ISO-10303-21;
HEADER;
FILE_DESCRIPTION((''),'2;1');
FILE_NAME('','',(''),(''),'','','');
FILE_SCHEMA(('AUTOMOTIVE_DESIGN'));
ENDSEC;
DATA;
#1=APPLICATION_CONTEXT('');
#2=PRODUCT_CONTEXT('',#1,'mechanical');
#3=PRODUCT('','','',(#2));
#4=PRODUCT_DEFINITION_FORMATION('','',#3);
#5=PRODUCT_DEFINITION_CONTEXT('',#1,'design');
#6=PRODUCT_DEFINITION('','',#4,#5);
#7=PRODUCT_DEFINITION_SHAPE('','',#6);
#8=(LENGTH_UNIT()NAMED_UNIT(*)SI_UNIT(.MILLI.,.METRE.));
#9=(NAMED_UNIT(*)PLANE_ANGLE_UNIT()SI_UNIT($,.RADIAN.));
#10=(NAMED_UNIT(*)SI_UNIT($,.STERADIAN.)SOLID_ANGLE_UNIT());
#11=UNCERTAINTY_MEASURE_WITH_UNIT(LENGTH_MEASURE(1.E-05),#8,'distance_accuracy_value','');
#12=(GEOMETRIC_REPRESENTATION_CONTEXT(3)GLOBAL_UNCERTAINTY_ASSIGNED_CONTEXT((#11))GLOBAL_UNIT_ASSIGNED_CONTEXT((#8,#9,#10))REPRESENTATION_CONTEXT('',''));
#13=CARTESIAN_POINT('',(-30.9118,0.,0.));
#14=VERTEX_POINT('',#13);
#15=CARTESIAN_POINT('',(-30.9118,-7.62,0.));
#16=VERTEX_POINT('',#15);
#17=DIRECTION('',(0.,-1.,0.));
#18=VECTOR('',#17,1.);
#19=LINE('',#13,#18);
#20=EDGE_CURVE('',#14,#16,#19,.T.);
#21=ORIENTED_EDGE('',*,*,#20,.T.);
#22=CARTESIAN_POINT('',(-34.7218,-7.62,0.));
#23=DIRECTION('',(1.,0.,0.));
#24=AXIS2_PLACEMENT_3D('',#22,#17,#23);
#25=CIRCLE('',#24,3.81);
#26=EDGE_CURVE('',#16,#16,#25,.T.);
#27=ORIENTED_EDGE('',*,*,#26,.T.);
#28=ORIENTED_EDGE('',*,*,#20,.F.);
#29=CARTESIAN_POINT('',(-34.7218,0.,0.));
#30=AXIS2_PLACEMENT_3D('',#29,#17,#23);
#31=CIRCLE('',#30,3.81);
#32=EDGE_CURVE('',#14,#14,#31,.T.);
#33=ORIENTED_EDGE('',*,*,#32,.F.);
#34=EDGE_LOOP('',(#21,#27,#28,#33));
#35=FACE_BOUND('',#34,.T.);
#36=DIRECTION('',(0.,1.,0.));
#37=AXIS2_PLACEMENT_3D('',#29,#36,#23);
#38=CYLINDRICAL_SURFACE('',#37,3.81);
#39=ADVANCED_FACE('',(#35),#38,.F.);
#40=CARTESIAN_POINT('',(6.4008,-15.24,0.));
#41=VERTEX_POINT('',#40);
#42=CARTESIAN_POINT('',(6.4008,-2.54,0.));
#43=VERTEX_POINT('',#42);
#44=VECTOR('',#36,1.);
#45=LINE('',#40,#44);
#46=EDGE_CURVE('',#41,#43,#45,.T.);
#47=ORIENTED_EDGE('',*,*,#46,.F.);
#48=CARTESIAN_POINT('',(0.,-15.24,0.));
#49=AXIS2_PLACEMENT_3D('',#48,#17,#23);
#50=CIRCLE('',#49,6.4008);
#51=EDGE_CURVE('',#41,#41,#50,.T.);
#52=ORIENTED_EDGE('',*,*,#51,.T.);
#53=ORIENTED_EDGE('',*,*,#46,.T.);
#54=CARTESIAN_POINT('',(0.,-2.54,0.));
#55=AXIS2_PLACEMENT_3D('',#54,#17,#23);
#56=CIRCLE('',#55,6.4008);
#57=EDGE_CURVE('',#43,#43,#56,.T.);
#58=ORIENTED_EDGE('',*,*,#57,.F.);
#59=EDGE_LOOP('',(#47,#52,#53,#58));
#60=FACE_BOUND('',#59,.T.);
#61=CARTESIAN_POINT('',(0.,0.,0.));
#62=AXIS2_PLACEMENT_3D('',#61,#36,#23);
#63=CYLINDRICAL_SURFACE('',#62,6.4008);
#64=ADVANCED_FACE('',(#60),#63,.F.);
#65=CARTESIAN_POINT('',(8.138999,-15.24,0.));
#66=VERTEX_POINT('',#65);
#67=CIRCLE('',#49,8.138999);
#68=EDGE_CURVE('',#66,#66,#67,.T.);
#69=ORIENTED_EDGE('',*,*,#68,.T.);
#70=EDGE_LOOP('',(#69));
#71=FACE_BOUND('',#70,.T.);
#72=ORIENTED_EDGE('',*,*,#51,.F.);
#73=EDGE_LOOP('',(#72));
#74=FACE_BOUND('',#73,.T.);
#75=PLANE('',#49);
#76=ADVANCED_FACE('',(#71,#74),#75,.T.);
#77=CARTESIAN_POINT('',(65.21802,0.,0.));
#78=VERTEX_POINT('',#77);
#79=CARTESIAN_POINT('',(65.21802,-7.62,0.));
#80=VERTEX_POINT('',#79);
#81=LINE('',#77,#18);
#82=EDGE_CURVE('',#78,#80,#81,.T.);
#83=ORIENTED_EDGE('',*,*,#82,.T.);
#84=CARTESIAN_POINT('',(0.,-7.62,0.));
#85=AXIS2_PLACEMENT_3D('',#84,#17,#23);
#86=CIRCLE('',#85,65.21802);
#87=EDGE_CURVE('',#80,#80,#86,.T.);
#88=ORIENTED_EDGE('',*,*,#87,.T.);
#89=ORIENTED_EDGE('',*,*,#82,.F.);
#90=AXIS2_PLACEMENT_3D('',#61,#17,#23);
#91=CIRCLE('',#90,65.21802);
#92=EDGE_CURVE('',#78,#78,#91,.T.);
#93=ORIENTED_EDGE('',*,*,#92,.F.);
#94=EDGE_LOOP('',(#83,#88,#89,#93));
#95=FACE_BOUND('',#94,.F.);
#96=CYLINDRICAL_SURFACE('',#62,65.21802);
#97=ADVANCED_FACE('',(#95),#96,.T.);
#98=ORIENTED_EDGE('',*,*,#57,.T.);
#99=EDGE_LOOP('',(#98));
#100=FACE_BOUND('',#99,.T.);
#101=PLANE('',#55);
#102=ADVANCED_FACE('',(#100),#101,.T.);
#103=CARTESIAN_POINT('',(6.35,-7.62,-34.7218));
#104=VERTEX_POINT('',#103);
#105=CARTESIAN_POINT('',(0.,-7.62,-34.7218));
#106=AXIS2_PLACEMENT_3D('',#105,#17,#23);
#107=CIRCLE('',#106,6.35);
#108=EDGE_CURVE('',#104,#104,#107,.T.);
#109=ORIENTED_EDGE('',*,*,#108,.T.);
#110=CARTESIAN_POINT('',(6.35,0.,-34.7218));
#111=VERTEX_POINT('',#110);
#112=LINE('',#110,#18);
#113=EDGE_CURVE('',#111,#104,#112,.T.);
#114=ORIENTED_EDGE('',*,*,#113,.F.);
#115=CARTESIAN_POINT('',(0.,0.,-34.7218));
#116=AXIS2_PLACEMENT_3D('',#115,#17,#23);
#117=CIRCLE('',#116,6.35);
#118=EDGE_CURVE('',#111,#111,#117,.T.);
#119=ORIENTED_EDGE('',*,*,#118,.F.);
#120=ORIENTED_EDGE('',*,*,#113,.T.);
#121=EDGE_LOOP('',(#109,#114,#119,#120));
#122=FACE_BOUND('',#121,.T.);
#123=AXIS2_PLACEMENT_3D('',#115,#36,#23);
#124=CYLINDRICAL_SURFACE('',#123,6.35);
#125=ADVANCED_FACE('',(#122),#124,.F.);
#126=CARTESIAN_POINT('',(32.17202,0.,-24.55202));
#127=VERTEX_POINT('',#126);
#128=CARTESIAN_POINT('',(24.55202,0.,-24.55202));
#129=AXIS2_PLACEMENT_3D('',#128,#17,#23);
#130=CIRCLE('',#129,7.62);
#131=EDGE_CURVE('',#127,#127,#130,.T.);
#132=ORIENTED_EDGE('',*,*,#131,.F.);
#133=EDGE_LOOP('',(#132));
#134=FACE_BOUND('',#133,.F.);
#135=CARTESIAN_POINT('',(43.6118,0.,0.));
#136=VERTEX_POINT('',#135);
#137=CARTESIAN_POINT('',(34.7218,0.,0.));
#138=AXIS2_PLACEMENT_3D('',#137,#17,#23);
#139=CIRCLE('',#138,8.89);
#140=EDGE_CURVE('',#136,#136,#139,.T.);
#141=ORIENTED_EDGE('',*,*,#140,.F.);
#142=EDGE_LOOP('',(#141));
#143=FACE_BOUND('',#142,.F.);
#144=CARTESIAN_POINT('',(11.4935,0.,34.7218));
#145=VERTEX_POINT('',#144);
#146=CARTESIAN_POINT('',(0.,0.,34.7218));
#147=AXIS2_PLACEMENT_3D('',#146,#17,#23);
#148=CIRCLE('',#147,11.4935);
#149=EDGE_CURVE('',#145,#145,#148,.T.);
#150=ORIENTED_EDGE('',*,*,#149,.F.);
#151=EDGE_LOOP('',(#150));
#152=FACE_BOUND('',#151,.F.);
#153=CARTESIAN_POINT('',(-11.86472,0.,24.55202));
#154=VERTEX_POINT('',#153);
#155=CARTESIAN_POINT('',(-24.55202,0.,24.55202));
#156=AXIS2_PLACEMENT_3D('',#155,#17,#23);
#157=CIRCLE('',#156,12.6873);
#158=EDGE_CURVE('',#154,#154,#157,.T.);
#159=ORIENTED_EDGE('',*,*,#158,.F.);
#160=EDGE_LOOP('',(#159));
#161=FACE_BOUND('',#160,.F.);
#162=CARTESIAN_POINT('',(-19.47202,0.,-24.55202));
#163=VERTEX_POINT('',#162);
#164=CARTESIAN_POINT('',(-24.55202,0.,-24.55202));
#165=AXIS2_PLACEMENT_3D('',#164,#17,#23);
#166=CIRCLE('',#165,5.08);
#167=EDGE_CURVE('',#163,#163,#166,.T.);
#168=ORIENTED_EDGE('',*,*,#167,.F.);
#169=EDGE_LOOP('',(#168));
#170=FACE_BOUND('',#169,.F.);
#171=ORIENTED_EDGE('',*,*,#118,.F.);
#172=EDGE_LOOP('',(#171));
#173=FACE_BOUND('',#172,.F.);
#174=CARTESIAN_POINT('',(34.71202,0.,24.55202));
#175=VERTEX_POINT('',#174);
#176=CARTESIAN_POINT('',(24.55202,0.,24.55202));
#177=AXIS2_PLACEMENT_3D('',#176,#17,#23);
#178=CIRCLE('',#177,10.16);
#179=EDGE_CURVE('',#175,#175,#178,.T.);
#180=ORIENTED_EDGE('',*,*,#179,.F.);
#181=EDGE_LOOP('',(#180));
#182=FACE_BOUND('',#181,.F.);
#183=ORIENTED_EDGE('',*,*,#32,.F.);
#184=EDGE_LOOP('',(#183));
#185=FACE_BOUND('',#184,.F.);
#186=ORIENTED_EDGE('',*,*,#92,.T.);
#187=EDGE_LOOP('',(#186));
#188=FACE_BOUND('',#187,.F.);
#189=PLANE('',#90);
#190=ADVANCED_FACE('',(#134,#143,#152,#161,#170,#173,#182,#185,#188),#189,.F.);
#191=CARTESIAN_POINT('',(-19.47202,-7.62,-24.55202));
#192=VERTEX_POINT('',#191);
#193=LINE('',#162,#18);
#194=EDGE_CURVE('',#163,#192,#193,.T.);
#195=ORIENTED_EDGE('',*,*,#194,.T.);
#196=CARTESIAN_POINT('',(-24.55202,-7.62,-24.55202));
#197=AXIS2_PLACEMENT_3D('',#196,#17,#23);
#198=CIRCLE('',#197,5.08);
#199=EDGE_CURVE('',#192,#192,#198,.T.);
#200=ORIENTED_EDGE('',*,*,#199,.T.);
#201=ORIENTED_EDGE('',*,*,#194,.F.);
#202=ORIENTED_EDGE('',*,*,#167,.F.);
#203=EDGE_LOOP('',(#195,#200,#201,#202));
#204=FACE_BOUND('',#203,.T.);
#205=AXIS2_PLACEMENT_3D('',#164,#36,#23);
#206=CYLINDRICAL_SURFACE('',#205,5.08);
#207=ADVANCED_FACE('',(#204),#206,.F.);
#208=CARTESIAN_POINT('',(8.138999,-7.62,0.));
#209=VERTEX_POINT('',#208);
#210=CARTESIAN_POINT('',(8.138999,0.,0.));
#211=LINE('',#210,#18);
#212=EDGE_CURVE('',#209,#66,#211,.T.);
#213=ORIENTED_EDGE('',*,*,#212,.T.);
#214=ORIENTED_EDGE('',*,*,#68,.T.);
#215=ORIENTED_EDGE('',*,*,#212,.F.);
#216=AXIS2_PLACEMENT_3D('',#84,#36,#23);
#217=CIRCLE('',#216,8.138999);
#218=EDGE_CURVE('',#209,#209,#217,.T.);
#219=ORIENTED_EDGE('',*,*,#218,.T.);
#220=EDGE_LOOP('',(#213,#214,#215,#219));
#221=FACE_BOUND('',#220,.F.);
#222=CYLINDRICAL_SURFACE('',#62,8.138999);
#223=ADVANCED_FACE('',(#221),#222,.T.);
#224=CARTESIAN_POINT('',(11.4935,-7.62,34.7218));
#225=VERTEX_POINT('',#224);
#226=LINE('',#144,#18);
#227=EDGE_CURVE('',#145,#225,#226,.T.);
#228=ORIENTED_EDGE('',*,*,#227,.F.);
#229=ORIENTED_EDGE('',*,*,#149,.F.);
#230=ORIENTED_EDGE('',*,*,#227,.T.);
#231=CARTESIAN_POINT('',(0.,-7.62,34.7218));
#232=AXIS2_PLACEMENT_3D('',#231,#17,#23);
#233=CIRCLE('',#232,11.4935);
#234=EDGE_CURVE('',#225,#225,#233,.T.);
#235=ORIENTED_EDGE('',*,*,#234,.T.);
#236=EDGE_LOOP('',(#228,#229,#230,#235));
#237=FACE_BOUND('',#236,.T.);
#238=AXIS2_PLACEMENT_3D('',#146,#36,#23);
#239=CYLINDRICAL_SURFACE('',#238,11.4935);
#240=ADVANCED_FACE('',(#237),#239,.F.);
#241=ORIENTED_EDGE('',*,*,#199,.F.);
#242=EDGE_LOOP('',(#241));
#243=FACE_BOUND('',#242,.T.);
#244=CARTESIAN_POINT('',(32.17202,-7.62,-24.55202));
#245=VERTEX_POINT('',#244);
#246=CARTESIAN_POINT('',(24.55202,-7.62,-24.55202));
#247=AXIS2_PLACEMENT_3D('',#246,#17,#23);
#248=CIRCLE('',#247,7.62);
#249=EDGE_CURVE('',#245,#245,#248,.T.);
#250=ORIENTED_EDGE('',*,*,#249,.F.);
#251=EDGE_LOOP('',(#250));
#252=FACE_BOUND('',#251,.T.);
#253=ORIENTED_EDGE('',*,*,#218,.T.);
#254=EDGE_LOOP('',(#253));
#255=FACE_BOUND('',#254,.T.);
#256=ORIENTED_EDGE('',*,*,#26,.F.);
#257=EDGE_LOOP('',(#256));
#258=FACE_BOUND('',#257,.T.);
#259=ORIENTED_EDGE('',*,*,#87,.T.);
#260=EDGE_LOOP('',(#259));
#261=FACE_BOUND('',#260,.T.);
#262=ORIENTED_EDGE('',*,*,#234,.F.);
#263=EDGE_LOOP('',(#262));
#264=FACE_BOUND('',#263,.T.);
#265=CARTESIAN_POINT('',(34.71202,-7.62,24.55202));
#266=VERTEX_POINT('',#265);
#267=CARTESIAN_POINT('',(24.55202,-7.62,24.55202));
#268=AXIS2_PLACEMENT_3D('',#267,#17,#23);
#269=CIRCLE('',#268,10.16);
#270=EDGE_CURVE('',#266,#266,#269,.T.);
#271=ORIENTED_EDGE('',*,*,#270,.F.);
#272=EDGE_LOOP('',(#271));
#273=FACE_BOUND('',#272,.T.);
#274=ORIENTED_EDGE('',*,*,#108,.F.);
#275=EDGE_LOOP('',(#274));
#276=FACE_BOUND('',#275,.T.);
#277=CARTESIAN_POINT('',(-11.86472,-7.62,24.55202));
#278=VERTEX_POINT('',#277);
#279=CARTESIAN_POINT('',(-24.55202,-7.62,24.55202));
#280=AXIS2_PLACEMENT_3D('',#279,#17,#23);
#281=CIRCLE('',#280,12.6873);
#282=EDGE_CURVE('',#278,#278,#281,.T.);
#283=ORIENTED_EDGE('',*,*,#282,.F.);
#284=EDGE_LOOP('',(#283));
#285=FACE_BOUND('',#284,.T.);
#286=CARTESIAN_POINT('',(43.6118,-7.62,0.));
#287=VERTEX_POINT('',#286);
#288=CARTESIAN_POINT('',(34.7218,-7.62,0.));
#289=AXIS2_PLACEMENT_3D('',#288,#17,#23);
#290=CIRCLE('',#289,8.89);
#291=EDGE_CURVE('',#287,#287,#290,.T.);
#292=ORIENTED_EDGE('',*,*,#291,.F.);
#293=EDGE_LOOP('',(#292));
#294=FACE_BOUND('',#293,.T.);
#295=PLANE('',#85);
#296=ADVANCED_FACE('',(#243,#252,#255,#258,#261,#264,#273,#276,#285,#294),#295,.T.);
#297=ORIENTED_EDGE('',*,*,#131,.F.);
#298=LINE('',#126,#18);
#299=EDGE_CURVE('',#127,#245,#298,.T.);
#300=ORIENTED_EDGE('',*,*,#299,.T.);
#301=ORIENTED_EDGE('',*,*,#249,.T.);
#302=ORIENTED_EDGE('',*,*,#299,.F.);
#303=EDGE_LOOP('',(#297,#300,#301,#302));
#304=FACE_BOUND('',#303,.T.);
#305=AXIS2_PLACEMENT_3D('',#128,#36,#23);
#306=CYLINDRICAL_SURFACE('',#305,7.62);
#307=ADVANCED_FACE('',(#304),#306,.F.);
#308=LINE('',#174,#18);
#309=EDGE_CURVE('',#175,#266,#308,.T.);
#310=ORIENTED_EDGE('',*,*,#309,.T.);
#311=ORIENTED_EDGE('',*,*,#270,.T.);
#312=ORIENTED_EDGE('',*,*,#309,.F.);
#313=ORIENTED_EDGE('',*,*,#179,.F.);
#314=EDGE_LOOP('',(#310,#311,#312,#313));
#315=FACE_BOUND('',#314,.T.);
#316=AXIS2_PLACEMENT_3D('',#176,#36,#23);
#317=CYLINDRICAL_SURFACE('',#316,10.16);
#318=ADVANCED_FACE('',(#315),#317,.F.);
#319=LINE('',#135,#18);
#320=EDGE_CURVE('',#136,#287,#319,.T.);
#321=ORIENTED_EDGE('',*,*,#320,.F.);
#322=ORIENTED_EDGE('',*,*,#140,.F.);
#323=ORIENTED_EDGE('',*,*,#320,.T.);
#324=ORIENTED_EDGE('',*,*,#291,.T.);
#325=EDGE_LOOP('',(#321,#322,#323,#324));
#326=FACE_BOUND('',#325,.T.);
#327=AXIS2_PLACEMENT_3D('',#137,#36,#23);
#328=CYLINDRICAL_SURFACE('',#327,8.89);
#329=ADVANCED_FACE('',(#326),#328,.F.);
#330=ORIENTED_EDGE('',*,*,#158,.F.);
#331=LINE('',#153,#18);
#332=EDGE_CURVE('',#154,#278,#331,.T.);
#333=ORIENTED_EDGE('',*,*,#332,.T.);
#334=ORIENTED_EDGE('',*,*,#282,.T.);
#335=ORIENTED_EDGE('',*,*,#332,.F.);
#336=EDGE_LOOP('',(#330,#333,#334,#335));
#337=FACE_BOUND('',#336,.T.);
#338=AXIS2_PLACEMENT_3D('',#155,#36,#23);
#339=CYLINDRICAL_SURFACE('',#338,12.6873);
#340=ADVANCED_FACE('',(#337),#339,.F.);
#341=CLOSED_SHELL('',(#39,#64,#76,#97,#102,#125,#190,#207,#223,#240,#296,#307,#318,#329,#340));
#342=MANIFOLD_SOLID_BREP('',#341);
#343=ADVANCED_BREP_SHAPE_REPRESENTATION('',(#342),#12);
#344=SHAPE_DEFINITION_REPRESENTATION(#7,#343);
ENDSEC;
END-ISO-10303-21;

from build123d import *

# Parameters (mm, degrees)
F0_R      = 65.21802
F0_R_2    = 5.08
F0_R_3    = 6.35
F0_R_4    = 7.62
F0_R_5    = 3.81
F0_R_6    = 12.6873
F0_R_7    = 10.16
F0_R_8    = 8.89
F0_R_9    = 11.4935
F1_DEPTH  = 7.62
F2_R      = 8.138999
F2_R_2    = 6.4008
F3_DEPTH  = 15.24
F3_FACE_R = 6.4008
F4_DEPTH  = 5.08


with BuildPart() as f1:
    # F0 (on Front) → F1 (new body)
    with BuildSketch(Plane.XZ):
        Circle(F0_R)
        with Locations((-24.55202, -24.55202)):
            Circle(F0_R_2, mode=Mode.SUBTRACT)
        with Locations((0, -34.7218)):
            Circle(F0_R_3, mode=Mode.SUBTRACT)
        with Locations((24.55202, -24.55202)):
            Circle(F0_R_4, mode=Mode.SUBTRACT)
        with Locations((-34.7218, 0)):
            Circle(F0_R_5, mode=Mode.SUBTRACT)
        with Locations((-24.55202, 24.55202)):
            Circle(F0_R_6, mode=Mode.SUBTRACT)
        with Locations((24.55202, 24.55202)):
            Circle(F0_R_7, mode=Mode.SUBTRACT)
        with Locations((34.7218, 0)):
            Circle(F0_R_8, mode=Mode.SUBTRACT)
        with Locations((0, 34.7218)):
            Circle(F0_R_9, mode=Mode.SUBTRACT)
    extrude(amount=F1_DEPTH)

    # F2 (on Front) → F3 (join)
    with BuildSketch(Plane.XZ):
        Circle(F2_R)
        Circle(F2_R_2, mode=Mode.SUBTRACT)
    extrude(amount=F3_DEPTH)

    # F3_face (on face) → F4 (cut)
    with BuildSketch(Plane.XZ.offset(7.62)):
        Circle(F3_FACE_R)
    extrude(amount=-F4_DEPTH, mode=Mode.SUBTRACT)


solid = f1.part
